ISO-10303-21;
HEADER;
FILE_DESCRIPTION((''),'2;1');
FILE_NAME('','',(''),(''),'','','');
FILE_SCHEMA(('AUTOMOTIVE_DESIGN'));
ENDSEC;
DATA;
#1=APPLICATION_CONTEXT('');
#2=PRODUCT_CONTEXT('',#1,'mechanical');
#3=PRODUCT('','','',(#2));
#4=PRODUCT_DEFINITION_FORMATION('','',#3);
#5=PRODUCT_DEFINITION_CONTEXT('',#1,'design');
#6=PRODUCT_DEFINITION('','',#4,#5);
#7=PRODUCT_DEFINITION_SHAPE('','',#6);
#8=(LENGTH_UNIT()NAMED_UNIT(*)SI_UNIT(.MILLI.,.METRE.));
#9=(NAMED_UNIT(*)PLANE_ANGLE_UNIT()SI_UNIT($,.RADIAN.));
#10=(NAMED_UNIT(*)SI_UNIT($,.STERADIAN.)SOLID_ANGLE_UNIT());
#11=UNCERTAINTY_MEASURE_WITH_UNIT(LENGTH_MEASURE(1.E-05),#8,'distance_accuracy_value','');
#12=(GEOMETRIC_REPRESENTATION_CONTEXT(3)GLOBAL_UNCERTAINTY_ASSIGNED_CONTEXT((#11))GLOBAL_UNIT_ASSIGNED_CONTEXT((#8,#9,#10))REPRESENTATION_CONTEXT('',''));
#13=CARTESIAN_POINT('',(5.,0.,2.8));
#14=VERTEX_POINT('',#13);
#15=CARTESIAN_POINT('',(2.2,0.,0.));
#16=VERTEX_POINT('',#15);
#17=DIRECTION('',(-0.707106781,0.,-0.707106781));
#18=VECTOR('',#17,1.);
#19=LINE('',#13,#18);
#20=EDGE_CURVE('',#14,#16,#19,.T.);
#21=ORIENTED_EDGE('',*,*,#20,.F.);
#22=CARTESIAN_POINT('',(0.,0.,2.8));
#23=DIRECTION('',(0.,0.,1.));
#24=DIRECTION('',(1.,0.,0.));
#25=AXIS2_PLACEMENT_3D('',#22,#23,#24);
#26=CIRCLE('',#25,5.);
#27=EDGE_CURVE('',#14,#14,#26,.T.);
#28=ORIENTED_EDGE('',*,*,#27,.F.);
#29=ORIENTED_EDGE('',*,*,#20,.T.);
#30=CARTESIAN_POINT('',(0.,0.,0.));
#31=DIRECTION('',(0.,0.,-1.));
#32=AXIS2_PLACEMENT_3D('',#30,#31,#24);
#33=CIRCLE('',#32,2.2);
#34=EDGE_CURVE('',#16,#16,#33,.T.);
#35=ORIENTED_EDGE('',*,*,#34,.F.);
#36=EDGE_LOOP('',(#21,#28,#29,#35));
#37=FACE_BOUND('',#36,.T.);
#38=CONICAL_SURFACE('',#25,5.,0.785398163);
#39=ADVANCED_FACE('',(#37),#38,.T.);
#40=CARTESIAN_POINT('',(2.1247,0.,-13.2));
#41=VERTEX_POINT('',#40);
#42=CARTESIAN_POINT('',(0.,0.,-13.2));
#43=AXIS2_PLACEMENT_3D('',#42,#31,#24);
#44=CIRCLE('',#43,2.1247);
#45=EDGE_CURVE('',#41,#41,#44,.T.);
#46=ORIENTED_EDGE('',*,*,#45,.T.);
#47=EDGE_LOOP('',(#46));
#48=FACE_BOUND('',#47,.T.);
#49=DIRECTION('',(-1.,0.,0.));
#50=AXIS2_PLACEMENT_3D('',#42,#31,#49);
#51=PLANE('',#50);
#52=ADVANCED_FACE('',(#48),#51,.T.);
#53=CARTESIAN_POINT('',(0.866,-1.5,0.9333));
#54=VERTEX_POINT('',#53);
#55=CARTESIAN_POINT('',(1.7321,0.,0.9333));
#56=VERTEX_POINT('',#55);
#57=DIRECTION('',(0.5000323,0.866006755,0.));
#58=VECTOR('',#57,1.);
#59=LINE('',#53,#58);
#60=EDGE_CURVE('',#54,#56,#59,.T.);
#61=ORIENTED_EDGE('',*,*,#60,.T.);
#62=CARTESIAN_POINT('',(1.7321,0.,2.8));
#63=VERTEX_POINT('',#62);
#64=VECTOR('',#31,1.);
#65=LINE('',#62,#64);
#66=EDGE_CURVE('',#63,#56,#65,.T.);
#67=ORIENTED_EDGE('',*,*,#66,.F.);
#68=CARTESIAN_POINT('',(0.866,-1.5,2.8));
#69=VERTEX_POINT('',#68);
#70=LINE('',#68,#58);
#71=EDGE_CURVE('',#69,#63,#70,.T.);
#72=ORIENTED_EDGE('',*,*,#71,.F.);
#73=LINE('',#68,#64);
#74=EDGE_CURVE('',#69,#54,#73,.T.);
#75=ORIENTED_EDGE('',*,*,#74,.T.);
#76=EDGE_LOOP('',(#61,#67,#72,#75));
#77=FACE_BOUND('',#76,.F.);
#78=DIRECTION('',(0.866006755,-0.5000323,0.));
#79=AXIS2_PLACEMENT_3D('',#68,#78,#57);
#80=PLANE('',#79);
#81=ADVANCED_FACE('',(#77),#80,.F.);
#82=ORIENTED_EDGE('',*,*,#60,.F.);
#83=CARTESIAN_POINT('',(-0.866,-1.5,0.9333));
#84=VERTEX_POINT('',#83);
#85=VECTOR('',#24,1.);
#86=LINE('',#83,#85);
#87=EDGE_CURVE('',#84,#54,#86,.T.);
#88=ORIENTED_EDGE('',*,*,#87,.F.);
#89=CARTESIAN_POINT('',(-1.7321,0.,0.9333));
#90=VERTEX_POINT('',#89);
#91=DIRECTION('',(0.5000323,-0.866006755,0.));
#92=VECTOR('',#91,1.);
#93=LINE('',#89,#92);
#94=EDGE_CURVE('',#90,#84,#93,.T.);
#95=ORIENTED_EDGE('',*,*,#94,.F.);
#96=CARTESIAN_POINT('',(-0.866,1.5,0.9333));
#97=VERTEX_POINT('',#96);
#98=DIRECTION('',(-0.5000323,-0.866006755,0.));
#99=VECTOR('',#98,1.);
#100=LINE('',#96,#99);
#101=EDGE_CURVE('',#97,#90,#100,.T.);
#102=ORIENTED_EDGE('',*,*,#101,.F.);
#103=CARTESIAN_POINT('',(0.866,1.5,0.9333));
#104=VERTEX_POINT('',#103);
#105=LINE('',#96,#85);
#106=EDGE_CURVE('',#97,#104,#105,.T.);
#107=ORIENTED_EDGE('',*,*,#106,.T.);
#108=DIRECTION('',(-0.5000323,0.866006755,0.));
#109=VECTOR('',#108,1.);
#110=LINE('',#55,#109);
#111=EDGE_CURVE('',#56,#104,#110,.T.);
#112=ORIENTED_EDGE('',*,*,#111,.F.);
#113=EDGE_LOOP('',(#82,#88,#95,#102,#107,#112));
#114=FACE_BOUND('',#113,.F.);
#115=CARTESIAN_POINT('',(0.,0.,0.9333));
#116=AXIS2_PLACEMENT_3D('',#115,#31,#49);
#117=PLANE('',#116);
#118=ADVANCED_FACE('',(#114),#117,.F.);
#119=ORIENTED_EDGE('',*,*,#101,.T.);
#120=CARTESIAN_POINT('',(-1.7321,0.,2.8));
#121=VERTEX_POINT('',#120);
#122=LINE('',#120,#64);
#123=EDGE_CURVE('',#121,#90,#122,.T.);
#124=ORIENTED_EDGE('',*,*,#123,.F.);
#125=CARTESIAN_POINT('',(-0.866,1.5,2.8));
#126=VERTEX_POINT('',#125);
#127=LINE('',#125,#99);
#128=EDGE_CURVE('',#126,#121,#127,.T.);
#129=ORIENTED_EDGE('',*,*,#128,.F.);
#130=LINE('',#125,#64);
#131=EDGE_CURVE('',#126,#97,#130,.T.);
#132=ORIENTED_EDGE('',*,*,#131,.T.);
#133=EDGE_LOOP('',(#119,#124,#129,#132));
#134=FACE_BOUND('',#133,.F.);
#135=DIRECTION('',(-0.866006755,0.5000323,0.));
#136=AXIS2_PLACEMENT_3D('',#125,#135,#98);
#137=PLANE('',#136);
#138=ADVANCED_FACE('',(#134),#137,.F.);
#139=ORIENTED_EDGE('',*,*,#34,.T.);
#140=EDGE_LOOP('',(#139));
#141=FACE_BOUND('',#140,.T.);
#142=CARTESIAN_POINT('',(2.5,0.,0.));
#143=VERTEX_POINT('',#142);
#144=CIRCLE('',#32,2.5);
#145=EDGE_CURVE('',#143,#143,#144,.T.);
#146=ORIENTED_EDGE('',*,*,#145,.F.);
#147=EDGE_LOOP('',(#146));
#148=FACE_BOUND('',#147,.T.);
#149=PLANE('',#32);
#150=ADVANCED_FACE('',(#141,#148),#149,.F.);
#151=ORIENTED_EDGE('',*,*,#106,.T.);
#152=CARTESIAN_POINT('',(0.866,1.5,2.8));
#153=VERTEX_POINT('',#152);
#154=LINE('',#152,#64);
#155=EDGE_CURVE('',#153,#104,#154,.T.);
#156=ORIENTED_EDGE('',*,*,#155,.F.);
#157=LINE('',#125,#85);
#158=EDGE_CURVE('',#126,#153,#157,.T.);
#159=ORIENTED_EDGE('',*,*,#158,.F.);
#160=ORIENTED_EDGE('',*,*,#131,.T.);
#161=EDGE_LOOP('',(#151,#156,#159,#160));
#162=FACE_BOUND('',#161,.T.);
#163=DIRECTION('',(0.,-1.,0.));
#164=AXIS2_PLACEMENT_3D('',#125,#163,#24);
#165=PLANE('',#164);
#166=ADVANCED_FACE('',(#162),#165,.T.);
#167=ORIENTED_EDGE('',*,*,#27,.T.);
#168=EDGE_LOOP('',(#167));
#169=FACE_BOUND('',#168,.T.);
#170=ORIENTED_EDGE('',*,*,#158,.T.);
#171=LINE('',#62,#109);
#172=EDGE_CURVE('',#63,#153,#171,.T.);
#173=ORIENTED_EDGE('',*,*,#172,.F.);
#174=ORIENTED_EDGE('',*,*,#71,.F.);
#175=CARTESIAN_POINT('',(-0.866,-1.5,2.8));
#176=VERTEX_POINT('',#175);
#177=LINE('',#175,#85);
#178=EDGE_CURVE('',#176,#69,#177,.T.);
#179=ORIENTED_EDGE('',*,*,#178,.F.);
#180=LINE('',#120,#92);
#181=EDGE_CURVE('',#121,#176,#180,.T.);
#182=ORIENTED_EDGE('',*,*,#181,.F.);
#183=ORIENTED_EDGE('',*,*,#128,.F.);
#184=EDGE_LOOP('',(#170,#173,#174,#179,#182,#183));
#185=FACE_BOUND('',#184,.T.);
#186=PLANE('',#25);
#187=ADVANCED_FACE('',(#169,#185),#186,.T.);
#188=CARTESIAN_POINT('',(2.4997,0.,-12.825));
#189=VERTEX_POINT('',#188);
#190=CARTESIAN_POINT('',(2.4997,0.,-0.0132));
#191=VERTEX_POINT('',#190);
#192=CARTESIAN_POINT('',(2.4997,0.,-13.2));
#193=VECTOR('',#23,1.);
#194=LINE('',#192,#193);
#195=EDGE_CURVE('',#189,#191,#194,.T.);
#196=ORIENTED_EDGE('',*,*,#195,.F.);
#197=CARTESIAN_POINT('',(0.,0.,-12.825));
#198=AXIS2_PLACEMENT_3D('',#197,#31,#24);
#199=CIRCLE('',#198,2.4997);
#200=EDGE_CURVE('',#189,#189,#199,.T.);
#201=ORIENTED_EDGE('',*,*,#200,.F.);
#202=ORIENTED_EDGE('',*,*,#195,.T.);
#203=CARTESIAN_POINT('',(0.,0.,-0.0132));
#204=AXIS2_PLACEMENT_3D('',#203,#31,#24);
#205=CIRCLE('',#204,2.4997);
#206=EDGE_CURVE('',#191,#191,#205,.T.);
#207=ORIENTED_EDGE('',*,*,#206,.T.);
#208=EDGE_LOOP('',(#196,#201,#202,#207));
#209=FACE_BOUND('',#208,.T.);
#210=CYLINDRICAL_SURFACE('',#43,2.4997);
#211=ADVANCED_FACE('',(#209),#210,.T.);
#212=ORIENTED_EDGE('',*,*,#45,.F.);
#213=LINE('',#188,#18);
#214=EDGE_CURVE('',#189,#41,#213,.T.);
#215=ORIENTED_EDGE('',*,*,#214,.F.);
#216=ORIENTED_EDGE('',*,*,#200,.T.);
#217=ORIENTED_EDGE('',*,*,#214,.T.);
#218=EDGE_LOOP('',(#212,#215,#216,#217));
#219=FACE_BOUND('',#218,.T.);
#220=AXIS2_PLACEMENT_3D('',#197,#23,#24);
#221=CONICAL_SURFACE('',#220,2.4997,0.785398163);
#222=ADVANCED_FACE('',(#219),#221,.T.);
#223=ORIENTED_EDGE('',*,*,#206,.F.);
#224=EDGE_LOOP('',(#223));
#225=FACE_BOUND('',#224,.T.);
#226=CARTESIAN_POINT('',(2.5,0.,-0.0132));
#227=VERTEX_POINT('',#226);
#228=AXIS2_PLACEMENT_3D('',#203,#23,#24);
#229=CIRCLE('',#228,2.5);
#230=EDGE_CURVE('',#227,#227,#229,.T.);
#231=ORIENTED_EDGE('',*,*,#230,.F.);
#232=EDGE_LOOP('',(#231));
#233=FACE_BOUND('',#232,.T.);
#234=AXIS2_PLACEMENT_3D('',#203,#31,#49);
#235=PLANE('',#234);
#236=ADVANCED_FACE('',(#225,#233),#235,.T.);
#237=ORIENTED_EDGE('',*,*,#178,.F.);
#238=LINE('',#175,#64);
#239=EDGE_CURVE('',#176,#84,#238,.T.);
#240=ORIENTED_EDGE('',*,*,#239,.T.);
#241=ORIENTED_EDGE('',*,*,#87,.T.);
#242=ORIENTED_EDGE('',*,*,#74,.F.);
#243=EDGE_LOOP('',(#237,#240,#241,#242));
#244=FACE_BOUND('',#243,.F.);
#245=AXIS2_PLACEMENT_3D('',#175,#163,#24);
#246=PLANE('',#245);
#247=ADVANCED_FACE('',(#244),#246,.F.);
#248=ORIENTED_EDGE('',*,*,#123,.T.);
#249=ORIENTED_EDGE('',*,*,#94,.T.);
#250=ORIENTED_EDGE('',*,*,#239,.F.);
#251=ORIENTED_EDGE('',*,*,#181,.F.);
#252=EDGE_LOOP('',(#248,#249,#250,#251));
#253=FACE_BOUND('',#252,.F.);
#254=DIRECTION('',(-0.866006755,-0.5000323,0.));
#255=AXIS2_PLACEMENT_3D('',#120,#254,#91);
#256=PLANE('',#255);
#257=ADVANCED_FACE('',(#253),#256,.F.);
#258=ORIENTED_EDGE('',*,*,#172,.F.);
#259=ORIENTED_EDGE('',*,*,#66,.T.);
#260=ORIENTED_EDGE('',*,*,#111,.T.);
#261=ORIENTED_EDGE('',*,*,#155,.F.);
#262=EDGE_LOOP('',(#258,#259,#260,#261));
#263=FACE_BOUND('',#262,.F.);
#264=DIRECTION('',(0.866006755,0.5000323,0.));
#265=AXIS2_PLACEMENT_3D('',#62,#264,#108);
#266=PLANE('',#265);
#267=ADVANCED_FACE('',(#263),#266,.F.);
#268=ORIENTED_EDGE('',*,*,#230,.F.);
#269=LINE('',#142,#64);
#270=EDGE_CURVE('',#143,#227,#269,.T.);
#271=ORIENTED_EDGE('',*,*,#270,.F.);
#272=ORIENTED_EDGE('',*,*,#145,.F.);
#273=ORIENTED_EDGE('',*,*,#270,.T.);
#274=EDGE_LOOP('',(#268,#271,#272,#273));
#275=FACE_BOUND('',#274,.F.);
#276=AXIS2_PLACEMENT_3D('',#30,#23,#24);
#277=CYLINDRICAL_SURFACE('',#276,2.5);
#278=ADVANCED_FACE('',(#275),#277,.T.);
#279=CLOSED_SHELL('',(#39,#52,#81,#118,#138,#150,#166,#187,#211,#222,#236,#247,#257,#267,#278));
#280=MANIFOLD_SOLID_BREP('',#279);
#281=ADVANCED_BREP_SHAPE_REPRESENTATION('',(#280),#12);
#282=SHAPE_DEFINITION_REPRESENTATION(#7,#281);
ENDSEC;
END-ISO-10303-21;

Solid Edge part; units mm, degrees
sketch "Sketch1" plane through (0, 0, 0) normal (0, 0, 1) x (1, 0, 0)
  circle A0 centre (0, 0) radius 5
  dimension "D1" = 10
extrude "Protrusion1" add sketch "Sketch1" along normal blind 2.8
sketch "Sketch2" plane through (0, 0, 0) normal (0, 0, -1) x (1, 0, 0)
  circle A0 centre (0, 0) radius 2.5
extrude "Protrusion2" add sketch "Sketch2" along normal blind 13.2
sketch "Sketch3" plane through (0, 0, -13.2) normal (0, 0, -1) x (1, 0, 0)
  circle A0 centre (0, 0) radius 2.4997
extrude "Cutout1" cut sketch "Sketch3" against normal blind 13.1868 flip side to cut
chamfer "Chamfer_1" distance 0.375 angle 45 1 edges at (-2.4997, 0, -13.2)
sketch "Sketch4" plane through (0, 0, 2.8) normal (0, 0, 1) x (1, 0, 0)
  line L0 (-0.866, 1.5) -> (0.866, 1.5)
  line L1 (1.7321, 0) -> (0.866, 1.5)
  line L2 (0.866, -1.5) -> (1.7321, 0)
  line L3 (-0.866, -1.5) -> (0.866, -1.5)
  line L4 (-1.7321, 0) -> (-0.866, -1.5)
  line L5 (-0.866, 1.5) -> (-1.7321, 0)
  dimension "D1" = 3
extrude "Cutout2" cut sketch "Sketch4" against normal blind 1.8667
sketch "Sketch5" plane through (0, 0, 0) normal (0, -1, 0) x (1, 0, 0)
  line L0 (5, 2.8) -> (2.2, 0)
  line L1 (2.2, 0) -> (5, 0)
  line L2 (5, 0) -> (5, 2.8)
revolve "RevolvedCutout1" cut sketch "Sketch5" angle 360 about axis through (0, 0, 14.0017) along (0, 0, -1)
properties part number "24104826"
